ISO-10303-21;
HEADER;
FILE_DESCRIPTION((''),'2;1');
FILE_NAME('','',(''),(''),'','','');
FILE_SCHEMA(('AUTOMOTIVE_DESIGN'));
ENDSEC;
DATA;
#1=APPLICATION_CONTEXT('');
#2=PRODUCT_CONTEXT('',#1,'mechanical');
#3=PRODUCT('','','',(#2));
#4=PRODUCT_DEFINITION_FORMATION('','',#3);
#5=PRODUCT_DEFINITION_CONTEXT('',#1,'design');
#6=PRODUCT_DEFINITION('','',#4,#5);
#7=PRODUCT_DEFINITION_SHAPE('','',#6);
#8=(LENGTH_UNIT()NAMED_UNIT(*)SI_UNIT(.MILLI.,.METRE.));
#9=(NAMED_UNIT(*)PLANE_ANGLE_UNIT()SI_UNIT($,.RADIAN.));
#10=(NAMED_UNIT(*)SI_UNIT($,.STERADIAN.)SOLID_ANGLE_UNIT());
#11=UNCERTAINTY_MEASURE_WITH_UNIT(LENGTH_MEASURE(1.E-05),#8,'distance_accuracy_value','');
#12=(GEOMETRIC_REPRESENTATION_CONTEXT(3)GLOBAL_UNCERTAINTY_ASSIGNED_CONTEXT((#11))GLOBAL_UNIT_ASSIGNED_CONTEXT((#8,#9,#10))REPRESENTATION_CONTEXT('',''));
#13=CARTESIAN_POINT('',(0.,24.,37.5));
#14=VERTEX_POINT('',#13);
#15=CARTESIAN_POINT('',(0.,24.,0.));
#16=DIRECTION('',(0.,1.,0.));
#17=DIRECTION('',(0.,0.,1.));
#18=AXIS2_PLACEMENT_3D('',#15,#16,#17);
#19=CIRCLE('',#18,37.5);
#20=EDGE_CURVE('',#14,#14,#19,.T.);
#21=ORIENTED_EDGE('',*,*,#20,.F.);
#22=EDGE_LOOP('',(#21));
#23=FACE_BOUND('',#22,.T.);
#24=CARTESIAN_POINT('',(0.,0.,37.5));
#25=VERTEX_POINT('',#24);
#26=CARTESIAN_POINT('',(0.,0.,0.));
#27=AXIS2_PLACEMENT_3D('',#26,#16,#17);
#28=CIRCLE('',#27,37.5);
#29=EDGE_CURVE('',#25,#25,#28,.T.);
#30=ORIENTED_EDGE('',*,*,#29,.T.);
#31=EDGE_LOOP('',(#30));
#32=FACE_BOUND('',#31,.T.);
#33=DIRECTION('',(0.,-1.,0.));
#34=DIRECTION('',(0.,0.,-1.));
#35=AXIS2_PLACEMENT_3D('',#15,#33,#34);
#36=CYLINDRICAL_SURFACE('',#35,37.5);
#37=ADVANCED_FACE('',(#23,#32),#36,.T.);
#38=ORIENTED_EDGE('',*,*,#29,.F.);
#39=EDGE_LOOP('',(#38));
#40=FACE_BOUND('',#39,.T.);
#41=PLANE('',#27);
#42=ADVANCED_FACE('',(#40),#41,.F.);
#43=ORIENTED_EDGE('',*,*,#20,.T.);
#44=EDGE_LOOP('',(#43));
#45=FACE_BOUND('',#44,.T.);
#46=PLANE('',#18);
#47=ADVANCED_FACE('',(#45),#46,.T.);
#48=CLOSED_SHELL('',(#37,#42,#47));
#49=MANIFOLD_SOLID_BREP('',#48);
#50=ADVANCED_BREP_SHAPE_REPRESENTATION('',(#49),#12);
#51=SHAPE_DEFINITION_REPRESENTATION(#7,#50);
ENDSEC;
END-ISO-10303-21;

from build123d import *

# Parameters (mm, degrees)
ESQUISSE1_R        = 37.5
BOSS_EXTRU_1_DEPTH = 24


with BuildPart() as part:
    # Esquisse1 → Boss.-Extru.1 (new body)
    with BuildSketch(Plane(origin=(0, 0, 0), x_dir=(1, 0, 0), z_dir=(0, 1, 0))):
        with Locations(Location((0, 0, 0), (0, 0, 270))):
            Circle(ESQUISSE1_R)
    extrude(amount=BOSS_EXTRU_1_DEPTH)


solid = part.part
